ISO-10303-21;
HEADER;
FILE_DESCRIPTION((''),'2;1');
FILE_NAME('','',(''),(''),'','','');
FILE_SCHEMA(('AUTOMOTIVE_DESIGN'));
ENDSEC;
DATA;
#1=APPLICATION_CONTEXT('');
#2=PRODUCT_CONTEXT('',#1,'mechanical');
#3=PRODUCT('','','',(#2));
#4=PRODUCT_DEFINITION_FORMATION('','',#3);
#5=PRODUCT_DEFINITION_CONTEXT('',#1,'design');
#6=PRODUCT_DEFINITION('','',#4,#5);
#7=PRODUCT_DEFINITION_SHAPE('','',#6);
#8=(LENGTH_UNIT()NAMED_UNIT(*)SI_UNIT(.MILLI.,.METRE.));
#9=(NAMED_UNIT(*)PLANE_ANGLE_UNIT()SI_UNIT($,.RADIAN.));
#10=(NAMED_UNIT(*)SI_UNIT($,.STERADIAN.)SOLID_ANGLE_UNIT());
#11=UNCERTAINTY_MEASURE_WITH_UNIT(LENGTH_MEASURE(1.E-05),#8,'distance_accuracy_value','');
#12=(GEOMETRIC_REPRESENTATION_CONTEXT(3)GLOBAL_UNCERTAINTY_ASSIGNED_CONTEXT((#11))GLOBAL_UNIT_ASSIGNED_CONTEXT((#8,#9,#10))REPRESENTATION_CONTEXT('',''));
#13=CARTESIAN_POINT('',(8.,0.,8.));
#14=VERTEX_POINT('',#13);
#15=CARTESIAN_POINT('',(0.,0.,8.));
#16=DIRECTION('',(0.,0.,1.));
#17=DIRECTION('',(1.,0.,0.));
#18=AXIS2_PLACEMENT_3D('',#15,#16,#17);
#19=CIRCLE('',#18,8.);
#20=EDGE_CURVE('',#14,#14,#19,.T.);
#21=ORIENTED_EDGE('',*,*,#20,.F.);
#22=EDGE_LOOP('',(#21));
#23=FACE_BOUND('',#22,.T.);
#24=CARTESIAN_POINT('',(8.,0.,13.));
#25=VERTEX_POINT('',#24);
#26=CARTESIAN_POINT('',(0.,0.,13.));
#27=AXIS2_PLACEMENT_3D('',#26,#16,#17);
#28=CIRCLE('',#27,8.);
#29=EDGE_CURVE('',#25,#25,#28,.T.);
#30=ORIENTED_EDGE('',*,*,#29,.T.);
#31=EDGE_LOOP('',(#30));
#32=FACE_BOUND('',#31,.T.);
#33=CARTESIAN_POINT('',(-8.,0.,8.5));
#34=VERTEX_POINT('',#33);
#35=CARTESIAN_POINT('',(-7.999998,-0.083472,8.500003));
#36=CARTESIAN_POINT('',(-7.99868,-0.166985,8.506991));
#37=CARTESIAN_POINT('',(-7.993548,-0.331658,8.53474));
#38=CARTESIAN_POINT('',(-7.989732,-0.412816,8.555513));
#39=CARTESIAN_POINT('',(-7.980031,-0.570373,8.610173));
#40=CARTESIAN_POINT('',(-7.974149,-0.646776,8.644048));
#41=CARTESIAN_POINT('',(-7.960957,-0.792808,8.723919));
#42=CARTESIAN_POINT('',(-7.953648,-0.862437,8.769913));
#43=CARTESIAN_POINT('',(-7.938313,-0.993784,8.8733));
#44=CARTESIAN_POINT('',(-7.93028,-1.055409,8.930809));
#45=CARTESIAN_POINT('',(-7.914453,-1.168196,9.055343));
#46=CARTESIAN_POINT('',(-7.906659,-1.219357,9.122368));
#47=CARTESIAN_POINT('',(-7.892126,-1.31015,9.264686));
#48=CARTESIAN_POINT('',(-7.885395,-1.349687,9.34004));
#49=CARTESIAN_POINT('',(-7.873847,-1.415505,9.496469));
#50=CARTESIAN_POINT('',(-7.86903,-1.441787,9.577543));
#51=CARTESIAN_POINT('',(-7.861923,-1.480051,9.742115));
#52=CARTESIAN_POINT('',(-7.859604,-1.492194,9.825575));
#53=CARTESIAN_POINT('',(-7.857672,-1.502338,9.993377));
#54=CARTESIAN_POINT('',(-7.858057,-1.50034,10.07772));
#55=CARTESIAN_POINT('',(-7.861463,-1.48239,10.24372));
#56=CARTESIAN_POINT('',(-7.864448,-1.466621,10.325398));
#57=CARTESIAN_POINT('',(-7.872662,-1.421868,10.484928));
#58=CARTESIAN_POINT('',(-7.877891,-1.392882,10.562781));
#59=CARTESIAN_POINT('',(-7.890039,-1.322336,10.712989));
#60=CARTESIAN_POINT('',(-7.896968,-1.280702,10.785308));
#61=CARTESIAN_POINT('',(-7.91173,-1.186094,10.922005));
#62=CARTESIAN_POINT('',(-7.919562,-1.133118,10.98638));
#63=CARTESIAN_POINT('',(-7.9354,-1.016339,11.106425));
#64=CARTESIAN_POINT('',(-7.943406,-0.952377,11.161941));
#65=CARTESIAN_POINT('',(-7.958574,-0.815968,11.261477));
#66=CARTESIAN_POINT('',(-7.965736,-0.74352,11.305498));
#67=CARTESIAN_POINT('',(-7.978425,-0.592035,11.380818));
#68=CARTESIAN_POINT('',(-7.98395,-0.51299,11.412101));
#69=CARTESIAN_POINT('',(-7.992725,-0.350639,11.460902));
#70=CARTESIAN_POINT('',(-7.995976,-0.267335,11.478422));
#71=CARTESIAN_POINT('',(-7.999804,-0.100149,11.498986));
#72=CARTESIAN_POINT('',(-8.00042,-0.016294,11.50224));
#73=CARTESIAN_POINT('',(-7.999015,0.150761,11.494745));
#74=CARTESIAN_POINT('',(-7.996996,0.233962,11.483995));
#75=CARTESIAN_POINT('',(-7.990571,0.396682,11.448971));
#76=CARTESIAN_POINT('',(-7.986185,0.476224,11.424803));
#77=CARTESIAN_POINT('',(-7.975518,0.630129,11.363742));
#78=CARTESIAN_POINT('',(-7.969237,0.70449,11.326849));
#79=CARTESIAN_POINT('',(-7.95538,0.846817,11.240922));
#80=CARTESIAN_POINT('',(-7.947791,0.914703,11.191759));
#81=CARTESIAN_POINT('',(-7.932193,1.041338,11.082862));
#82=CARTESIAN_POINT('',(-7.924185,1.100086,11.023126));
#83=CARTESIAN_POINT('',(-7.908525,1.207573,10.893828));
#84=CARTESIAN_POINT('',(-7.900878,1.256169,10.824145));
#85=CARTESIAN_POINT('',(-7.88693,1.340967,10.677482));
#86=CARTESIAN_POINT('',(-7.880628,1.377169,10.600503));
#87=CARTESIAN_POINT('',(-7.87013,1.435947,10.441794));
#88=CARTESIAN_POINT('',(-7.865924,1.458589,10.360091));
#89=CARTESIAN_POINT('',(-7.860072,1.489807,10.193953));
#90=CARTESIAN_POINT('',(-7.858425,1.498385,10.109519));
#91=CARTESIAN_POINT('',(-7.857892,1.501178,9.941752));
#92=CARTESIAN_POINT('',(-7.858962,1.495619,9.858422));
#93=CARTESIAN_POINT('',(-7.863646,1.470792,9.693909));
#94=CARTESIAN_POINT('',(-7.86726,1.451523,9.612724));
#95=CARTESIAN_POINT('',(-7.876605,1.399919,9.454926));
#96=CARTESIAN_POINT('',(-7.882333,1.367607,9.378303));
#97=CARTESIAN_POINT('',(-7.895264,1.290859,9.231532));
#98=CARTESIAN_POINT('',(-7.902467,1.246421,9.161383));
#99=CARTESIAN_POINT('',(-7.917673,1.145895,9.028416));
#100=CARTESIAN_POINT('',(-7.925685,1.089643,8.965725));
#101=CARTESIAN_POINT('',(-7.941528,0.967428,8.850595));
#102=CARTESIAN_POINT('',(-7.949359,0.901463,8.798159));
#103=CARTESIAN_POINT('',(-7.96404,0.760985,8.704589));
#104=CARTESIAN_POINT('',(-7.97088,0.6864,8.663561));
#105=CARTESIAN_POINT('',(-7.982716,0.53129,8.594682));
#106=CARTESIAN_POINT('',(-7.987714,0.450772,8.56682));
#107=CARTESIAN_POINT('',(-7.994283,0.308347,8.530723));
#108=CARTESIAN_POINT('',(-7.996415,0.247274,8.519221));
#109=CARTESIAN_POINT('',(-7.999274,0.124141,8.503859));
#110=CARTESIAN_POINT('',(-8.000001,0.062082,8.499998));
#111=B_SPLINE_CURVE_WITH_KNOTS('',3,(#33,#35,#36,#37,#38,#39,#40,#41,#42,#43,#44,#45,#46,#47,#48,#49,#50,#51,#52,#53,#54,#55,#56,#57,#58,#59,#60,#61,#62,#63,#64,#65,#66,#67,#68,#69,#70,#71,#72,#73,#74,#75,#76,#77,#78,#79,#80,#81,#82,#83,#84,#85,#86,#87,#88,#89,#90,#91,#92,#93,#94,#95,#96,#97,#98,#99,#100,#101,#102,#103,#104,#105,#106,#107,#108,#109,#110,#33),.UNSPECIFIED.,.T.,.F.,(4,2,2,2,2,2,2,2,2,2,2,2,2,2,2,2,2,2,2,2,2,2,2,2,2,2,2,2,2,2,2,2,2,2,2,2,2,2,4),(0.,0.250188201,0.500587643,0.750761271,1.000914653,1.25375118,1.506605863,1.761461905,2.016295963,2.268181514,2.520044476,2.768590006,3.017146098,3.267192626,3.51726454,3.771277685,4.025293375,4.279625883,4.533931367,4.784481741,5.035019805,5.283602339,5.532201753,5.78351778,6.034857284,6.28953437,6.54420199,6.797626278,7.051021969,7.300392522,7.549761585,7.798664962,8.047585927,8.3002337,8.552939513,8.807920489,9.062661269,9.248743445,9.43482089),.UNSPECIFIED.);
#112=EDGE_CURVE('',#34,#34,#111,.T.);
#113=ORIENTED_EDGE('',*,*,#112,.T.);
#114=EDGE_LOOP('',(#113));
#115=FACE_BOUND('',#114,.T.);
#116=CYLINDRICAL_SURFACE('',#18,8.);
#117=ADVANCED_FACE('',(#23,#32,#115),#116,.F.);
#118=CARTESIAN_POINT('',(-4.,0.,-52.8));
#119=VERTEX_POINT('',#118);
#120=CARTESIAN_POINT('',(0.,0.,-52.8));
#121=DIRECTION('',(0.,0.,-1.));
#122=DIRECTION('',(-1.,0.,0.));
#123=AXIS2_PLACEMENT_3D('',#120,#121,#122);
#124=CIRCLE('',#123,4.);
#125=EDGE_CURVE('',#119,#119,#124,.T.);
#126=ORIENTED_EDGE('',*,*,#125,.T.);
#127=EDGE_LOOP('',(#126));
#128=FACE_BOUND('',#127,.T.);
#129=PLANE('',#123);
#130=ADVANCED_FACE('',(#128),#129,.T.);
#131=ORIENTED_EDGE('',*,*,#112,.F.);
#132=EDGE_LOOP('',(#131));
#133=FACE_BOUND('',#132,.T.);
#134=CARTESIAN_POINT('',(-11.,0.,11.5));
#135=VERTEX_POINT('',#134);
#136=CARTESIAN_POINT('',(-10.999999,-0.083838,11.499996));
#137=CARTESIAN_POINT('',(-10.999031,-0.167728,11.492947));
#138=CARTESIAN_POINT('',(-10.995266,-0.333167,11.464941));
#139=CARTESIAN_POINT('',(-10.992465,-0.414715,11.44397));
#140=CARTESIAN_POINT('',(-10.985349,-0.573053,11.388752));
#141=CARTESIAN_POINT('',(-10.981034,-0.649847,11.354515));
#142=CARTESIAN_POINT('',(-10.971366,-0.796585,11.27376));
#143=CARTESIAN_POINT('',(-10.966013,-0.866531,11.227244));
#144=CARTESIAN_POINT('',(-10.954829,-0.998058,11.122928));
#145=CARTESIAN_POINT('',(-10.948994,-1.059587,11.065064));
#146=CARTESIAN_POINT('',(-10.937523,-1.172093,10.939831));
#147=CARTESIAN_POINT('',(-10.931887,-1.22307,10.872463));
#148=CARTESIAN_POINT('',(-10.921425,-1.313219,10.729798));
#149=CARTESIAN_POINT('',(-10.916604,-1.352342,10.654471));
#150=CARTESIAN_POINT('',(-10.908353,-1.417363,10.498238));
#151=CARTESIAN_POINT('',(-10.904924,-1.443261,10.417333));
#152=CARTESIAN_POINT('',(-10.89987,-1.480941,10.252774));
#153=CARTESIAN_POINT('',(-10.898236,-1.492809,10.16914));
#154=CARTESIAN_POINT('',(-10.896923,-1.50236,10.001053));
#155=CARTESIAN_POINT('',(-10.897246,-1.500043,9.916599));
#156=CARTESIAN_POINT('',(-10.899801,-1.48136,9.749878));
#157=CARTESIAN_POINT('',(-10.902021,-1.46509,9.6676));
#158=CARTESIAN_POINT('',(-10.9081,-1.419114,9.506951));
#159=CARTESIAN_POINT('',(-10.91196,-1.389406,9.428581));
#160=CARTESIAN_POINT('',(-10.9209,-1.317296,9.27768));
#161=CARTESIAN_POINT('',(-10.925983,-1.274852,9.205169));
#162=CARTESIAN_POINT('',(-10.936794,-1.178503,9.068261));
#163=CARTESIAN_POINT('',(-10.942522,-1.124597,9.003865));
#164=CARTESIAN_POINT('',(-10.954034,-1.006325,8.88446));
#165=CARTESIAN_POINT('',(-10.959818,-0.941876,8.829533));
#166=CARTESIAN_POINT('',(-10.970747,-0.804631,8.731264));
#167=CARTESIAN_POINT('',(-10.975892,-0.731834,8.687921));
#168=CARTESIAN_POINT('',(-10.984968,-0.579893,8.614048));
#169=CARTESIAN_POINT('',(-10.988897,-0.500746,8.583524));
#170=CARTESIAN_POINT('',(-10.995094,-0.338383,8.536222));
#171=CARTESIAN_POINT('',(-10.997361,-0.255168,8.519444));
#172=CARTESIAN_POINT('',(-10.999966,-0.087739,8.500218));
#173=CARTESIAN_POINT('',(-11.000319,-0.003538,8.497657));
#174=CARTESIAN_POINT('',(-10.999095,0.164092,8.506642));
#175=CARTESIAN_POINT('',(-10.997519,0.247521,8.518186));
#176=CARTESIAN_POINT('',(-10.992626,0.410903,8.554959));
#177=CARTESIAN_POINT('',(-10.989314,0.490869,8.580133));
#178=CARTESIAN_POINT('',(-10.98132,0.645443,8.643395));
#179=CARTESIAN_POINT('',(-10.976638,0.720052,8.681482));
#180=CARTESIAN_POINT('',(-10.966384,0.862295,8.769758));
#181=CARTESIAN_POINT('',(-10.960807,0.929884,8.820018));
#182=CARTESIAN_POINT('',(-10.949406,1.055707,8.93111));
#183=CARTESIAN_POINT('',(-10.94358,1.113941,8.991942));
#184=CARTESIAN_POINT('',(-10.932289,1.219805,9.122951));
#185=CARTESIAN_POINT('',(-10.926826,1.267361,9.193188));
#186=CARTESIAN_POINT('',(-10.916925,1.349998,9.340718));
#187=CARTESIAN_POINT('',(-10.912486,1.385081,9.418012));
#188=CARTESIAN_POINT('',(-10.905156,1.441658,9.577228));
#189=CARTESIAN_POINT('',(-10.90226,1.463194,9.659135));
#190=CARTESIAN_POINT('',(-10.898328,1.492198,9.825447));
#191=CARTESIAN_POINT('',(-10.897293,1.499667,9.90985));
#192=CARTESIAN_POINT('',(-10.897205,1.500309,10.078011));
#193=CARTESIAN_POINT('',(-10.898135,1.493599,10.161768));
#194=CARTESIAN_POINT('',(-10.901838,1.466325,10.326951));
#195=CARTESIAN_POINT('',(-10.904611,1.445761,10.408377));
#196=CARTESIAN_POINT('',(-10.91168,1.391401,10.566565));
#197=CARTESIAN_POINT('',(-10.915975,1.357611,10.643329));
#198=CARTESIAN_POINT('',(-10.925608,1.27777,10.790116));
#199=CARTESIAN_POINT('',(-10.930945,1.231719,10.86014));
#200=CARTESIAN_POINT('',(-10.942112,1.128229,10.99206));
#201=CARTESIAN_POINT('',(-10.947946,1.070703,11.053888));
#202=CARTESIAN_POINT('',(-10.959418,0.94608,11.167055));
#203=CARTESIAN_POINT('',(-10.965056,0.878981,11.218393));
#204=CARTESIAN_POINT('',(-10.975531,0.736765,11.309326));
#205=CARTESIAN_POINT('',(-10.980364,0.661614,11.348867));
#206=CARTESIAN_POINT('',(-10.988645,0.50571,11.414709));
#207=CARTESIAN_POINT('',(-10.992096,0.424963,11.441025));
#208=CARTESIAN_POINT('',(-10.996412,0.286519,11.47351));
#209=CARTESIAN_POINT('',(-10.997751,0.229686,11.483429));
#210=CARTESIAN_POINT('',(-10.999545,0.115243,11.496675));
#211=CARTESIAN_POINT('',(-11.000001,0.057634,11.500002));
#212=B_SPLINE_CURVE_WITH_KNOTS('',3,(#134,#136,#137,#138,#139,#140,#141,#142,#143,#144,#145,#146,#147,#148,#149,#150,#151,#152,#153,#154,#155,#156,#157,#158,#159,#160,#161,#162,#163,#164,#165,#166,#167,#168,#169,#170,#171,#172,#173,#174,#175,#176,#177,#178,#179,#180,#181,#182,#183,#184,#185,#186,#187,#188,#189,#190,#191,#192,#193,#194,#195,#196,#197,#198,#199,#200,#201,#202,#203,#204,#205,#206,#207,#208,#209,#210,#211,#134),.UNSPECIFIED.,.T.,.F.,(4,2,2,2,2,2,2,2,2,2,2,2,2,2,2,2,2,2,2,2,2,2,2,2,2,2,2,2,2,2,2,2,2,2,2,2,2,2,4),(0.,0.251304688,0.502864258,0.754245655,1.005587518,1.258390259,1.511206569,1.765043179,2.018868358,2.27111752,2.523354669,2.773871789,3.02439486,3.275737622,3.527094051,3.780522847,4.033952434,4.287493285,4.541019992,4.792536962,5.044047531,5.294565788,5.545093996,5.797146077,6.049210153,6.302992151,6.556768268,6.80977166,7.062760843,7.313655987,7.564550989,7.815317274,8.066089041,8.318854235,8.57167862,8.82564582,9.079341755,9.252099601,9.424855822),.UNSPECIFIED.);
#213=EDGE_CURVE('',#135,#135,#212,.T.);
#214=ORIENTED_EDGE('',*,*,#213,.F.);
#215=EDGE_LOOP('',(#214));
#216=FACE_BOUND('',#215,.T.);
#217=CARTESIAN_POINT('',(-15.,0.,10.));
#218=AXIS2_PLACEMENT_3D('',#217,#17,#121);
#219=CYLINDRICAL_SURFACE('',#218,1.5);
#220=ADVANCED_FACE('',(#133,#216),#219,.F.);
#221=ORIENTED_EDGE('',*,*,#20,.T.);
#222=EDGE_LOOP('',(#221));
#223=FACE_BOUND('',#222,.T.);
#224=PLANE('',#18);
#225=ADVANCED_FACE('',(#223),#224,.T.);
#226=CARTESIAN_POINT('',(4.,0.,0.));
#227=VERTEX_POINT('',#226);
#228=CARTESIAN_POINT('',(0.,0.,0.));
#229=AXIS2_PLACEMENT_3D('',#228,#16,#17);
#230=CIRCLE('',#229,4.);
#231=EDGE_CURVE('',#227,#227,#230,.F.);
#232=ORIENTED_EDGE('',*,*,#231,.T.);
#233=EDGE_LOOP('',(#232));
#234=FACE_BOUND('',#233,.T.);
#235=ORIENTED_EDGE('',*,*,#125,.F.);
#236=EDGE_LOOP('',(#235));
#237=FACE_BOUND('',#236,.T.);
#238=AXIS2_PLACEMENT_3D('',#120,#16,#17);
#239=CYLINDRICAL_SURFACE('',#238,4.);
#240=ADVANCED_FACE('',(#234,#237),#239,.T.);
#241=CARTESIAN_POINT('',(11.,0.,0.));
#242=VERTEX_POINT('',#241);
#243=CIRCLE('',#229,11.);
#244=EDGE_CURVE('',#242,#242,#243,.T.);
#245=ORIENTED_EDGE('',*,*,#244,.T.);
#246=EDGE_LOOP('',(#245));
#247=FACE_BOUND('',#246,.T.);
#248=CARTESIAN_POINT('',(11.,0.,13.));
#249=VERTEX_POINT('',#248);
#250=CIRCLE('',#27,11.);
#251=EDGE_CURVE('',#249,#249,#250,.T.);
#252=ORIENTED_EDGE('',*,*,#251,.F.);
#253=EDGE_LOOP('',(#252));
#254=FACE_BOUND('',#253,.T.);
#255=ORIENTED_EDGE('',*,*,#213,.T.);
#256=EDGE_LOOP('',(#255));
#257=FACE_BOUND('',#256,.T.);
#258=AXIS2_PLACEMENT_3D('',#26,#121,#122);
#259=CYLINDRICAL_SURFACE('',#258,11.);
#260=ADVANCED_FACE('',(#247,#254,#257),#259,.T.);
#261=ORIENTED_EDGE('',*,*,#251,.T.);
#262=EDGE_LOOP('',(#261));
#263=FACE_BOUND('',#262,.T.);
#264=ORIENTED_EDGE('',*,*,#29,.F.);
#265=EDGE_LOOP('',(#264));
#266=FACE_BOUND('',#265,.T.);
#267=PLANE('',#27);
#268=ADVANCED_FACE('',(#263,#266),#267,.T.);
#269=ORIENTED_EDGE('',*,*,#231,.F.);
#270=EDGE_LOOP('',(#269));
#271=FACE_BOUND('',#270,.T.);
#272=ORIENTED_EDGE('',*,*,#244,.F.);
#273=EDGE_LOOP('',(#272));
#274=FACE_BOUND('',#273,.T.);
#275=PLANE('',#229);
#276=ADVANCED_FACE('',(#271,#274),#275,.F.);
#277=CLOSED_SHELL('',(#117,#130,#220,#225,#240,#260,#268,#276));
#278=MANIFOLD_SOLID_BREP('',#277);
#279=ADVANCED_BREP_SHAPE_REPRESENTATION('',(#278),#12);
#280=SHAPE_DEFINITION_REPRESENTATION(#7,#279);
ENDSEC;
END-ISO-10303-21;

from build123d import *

# Parameters (mm, degrees)
CROQUIS1_R              = 11
SALIENTE_EXTRUIR1_DEPTH = 13
CROQUIS2_R              = 8
CORTAR_EXTRUIR1_DEPTH   = 5
CROQUIS3_R              = 1.5
CORTAR_EXTRUIR2_DEPTH   = 15
CROQUIS4_R              = 4
SALIENTE_EXTRUIR2_DEPTH = 52.8


with BuildPart() as part:
    # Croquis1 → Saliente-Extruir1 (new body)
    with BuildSketch(Plane.XY):
        Circle(CROQUIS1_R)
    extrude(amount=SALIENTE_EXTRUIR1_DEPTH)

    # Croquis2 → Cortar-Extruir1 (cut)
    with BuildSketch(Plane.XY.offset(13)):
        Circle(CROQUIS2_R)
    extrude(amount=-CORTAR_EXTRUIR1_DEPTH, mode=Mode.SUBTRACT)

    # Croquis3 → Cortar-Extruir2 (cut)
    with BuildSketch(Plane(origin=(0, 0, 0), x_dir=(0, 0, -1), z_dir=(1, 0, 0))):
        with Locations((-10, 0)):
            Circle(CROQUIS3_R)
    extrude(amount=-CORTAR_EXTRUIR2_DEPTH, mode=Mode.SUBTRACT)

    # Croquis4 → Saliente-Extruir2 (add)
    with BuildSketch(Plane(origin=(0, 0, 0), x_dir=(-1, 0, 0), z_dir=(0, 0, -1))):
        Circle(CROQUIS4_R)
    extrude(amount=SALIENTE_EXTRUIR2_DEPTH)


solid = part.part
